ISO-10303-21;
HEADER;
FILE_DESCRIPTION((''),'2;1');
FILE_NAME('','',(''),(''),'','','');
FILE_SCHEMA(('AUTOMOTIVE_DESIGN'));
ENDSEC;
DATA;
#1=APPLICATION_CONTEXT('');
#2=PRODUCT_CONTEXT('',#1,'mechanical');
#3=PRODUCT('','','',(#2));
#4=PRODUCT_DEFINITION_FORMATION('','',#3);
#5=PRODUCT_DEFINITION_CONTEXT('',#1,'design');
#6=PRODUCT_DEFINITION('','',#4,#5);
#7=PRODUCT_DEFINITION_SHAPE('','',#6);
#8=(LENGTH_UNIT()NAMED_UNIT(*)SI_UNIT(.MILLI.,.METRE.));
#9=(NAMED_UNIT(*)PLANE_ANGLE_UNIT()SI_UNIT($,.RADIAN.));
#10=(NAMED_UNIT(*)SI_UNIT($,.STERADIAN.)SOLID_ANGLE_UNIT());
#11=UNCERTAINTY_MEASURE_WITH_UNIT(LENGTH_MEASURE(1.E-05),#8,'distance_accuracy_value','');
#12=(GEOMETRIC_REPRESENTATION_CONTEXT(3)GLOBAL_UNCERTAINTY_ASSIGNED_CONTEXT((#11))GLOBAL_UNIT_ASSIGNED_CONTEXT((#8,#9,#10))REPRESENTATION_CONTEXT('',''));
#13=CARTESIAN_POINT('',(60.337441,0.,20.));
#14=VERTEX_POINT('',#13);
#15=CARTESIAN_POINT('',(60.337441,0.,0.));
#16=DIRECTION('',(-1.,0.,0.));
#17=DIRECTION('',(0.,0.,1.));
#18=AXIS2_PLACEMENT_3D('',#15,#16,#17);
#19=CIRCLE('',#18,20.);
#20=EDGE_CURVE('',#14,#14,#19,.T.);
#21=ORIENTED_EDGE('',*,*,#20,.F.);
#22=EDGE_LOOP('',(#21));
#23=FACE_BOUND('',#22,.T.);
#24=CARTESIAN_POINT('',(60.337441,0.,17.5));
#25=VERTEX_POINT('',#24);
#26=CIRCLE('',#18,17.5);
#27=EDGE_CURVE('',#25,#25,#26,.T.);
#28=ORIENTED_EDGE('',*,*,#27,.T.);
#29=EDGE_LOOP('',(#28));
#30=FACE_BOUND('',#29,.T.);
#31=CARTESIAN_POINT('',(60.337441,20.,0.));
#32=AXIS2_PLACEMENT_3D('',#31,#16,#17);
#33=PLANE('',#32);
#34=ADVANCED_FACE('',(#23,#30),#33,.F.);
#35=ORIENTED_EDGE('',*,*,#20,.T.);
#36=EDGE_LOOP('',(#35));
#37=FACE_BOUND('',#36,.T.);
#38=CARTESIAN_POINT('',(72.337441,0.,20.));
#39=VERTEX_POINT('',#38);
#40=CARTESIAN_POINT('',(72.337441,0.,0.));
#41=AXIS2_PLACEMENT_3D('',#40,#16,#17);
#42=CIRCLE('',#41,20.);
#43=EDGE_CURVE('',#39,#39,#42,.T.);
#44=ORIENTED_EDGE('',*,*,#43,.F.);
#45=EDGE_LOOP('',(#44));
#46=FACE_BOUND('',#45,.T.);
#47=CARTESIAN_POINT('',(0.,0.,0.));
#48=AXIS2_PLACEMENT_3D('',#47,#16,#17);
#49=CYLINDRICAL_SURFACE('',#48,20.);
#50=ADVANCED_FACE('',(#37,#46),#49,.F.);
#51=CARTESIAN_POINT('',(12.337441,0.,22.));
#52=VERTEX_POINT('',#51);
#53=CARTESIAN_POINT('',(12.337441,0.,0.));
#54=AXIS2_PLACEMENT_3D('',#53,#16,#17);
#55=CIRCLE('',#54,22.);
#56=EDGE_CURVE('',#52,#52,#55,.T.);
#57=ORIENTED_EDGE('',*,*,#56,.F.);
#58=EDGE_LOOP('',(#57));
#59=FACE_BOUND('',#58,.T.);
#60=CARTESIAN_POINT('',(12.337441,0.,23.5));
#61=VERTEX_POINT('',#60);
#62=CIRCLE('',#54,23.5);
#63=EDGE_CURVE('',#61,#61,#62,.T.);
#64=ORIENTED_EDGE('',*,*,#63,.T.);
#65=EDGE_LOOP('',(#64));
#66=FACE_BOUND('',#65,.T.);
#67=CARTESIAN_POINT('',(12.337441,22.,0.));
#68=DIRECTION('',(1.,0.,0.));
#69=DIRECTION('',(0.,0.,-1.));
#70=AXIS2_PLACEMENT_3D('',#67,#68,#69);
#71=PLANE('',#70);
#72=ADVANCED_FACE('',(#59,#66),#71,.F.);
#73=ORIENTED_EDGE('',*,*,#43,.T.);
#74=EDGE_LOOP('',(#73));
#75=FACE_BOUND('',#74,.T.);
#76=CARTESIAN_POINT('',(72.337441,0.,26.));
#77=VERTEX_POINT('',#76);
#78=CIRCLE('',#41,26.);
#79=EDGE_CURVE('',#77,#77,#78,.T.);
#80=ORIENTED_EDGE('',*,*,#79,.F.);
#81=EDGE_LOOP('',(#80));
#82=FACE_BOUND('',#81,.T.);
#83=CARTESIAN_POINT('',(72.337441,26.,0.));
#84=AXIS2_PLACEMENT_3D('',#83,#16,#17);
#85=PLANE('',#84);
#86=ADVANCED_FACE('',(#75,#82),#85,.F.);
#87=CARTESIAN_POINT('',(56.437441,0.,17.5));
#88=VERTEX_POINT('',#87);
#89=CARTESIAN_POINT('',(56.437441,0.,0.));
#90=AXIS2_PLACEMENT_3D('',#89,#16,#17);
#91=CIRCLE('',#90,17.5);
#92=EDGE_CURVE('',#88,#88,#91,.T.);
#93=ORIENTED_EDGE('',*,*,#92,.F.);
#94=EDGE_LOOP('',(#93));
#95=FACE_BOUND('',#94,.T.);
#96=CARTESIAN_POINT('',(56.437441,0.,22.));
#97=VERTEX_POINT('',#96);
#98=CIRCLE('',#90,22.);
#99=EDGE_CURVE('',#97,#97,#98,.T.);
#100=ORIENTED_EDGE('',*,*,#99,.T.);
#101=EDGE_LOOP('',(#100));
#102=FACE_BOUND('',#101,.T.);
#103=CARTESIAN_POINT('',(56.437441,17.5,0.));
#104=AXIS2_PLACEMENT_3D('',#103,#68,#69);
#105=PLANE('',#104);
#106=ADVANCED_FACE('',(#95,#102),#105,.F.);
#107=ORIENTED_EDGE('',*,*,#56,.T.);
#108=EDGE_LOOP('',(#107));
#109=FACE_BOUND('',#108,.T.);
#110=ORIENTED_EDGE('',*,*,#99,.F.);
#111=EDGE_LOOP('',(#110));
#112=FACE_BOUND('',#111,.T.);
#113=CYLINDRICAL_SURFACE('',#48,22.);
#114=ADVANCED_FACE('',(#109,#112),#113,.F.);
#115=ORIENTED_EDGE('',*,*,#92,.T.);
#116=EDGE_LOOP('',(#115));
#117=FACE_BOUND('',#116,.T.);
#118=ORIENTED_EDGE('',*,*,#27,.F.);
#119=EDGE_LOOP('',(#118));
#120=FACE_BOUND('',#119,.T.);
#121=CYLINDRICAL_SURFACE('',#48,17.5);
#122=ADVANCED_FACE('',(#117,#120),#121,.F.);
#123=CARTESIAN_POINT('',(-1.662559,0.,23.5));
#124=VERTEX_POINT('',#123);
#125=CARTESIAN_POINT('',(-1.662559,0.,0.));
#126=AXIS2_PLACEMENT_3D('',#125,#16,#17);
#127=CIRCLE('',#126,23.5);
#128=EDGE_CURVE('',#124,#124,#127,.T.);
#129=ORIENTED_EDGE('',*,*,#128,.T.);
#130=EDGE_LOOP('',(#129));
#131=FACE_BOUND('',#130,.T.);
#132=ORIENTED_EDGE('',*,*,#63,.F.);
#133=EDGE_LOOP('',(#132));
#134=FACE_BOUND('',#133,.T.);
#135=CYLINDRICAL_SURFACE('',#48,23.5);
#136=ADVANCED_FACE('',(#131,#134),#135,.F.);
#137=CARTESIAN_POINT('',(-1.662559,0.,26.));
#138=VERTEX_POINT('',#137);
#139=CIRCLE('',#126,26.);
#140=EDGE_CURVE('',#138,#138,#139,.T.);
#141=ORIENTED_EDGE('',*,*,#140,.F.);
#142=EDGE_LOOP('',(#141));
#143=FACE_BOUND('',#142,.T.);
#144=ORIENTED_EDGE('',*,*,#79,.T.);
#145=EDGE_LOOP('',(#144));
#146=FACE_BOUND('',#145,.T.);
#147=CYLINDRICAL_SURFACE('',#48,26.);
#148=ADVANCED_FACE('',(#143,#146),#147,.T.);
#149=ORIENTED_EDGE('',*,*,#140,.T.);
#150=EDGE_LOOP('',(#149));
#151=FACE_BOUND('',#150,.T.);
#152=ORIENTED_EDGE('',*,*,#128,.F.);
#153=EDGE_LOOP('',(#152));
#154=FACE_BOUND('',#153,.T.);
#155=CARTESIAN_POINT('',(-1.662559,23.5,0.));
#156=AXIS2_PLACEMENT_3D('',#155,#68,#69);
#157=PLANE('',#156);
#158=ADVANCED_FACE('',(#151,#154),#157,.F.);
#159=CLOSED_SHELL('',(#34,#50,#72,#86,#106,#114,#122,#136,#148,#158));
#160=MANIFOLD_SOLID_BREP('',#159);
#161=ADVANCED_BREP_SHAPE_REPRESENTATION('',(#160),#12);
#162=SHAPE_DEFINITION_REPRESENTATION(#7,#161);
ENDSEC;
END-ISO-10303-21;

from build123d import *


with BuildPart() as part:
    # Sketch1 → Revolve1 (revolve)
    with BuildSketch(Plane.XY, mode=Mode.PRIVATE) as revolve1_sk:
        Polygon((12.337440982, 22), (12.337440982, 23.5), (-1.662559018, 23.5), (-1.662559018, 26), (72.337440982, 26), (72.337440982, 20), (60.337440982, 20), (60.337440982, 17.5), (56.437440982, 17.5), (56.437440982, 22), align=None)
    revolve(revolve1_sk.sketch.rotate(Axis((0, 0, 0), (1, 0, 0)), 90), axis=Axis((0, 0, 0), (1, 0, 0)))


solid = part.part
